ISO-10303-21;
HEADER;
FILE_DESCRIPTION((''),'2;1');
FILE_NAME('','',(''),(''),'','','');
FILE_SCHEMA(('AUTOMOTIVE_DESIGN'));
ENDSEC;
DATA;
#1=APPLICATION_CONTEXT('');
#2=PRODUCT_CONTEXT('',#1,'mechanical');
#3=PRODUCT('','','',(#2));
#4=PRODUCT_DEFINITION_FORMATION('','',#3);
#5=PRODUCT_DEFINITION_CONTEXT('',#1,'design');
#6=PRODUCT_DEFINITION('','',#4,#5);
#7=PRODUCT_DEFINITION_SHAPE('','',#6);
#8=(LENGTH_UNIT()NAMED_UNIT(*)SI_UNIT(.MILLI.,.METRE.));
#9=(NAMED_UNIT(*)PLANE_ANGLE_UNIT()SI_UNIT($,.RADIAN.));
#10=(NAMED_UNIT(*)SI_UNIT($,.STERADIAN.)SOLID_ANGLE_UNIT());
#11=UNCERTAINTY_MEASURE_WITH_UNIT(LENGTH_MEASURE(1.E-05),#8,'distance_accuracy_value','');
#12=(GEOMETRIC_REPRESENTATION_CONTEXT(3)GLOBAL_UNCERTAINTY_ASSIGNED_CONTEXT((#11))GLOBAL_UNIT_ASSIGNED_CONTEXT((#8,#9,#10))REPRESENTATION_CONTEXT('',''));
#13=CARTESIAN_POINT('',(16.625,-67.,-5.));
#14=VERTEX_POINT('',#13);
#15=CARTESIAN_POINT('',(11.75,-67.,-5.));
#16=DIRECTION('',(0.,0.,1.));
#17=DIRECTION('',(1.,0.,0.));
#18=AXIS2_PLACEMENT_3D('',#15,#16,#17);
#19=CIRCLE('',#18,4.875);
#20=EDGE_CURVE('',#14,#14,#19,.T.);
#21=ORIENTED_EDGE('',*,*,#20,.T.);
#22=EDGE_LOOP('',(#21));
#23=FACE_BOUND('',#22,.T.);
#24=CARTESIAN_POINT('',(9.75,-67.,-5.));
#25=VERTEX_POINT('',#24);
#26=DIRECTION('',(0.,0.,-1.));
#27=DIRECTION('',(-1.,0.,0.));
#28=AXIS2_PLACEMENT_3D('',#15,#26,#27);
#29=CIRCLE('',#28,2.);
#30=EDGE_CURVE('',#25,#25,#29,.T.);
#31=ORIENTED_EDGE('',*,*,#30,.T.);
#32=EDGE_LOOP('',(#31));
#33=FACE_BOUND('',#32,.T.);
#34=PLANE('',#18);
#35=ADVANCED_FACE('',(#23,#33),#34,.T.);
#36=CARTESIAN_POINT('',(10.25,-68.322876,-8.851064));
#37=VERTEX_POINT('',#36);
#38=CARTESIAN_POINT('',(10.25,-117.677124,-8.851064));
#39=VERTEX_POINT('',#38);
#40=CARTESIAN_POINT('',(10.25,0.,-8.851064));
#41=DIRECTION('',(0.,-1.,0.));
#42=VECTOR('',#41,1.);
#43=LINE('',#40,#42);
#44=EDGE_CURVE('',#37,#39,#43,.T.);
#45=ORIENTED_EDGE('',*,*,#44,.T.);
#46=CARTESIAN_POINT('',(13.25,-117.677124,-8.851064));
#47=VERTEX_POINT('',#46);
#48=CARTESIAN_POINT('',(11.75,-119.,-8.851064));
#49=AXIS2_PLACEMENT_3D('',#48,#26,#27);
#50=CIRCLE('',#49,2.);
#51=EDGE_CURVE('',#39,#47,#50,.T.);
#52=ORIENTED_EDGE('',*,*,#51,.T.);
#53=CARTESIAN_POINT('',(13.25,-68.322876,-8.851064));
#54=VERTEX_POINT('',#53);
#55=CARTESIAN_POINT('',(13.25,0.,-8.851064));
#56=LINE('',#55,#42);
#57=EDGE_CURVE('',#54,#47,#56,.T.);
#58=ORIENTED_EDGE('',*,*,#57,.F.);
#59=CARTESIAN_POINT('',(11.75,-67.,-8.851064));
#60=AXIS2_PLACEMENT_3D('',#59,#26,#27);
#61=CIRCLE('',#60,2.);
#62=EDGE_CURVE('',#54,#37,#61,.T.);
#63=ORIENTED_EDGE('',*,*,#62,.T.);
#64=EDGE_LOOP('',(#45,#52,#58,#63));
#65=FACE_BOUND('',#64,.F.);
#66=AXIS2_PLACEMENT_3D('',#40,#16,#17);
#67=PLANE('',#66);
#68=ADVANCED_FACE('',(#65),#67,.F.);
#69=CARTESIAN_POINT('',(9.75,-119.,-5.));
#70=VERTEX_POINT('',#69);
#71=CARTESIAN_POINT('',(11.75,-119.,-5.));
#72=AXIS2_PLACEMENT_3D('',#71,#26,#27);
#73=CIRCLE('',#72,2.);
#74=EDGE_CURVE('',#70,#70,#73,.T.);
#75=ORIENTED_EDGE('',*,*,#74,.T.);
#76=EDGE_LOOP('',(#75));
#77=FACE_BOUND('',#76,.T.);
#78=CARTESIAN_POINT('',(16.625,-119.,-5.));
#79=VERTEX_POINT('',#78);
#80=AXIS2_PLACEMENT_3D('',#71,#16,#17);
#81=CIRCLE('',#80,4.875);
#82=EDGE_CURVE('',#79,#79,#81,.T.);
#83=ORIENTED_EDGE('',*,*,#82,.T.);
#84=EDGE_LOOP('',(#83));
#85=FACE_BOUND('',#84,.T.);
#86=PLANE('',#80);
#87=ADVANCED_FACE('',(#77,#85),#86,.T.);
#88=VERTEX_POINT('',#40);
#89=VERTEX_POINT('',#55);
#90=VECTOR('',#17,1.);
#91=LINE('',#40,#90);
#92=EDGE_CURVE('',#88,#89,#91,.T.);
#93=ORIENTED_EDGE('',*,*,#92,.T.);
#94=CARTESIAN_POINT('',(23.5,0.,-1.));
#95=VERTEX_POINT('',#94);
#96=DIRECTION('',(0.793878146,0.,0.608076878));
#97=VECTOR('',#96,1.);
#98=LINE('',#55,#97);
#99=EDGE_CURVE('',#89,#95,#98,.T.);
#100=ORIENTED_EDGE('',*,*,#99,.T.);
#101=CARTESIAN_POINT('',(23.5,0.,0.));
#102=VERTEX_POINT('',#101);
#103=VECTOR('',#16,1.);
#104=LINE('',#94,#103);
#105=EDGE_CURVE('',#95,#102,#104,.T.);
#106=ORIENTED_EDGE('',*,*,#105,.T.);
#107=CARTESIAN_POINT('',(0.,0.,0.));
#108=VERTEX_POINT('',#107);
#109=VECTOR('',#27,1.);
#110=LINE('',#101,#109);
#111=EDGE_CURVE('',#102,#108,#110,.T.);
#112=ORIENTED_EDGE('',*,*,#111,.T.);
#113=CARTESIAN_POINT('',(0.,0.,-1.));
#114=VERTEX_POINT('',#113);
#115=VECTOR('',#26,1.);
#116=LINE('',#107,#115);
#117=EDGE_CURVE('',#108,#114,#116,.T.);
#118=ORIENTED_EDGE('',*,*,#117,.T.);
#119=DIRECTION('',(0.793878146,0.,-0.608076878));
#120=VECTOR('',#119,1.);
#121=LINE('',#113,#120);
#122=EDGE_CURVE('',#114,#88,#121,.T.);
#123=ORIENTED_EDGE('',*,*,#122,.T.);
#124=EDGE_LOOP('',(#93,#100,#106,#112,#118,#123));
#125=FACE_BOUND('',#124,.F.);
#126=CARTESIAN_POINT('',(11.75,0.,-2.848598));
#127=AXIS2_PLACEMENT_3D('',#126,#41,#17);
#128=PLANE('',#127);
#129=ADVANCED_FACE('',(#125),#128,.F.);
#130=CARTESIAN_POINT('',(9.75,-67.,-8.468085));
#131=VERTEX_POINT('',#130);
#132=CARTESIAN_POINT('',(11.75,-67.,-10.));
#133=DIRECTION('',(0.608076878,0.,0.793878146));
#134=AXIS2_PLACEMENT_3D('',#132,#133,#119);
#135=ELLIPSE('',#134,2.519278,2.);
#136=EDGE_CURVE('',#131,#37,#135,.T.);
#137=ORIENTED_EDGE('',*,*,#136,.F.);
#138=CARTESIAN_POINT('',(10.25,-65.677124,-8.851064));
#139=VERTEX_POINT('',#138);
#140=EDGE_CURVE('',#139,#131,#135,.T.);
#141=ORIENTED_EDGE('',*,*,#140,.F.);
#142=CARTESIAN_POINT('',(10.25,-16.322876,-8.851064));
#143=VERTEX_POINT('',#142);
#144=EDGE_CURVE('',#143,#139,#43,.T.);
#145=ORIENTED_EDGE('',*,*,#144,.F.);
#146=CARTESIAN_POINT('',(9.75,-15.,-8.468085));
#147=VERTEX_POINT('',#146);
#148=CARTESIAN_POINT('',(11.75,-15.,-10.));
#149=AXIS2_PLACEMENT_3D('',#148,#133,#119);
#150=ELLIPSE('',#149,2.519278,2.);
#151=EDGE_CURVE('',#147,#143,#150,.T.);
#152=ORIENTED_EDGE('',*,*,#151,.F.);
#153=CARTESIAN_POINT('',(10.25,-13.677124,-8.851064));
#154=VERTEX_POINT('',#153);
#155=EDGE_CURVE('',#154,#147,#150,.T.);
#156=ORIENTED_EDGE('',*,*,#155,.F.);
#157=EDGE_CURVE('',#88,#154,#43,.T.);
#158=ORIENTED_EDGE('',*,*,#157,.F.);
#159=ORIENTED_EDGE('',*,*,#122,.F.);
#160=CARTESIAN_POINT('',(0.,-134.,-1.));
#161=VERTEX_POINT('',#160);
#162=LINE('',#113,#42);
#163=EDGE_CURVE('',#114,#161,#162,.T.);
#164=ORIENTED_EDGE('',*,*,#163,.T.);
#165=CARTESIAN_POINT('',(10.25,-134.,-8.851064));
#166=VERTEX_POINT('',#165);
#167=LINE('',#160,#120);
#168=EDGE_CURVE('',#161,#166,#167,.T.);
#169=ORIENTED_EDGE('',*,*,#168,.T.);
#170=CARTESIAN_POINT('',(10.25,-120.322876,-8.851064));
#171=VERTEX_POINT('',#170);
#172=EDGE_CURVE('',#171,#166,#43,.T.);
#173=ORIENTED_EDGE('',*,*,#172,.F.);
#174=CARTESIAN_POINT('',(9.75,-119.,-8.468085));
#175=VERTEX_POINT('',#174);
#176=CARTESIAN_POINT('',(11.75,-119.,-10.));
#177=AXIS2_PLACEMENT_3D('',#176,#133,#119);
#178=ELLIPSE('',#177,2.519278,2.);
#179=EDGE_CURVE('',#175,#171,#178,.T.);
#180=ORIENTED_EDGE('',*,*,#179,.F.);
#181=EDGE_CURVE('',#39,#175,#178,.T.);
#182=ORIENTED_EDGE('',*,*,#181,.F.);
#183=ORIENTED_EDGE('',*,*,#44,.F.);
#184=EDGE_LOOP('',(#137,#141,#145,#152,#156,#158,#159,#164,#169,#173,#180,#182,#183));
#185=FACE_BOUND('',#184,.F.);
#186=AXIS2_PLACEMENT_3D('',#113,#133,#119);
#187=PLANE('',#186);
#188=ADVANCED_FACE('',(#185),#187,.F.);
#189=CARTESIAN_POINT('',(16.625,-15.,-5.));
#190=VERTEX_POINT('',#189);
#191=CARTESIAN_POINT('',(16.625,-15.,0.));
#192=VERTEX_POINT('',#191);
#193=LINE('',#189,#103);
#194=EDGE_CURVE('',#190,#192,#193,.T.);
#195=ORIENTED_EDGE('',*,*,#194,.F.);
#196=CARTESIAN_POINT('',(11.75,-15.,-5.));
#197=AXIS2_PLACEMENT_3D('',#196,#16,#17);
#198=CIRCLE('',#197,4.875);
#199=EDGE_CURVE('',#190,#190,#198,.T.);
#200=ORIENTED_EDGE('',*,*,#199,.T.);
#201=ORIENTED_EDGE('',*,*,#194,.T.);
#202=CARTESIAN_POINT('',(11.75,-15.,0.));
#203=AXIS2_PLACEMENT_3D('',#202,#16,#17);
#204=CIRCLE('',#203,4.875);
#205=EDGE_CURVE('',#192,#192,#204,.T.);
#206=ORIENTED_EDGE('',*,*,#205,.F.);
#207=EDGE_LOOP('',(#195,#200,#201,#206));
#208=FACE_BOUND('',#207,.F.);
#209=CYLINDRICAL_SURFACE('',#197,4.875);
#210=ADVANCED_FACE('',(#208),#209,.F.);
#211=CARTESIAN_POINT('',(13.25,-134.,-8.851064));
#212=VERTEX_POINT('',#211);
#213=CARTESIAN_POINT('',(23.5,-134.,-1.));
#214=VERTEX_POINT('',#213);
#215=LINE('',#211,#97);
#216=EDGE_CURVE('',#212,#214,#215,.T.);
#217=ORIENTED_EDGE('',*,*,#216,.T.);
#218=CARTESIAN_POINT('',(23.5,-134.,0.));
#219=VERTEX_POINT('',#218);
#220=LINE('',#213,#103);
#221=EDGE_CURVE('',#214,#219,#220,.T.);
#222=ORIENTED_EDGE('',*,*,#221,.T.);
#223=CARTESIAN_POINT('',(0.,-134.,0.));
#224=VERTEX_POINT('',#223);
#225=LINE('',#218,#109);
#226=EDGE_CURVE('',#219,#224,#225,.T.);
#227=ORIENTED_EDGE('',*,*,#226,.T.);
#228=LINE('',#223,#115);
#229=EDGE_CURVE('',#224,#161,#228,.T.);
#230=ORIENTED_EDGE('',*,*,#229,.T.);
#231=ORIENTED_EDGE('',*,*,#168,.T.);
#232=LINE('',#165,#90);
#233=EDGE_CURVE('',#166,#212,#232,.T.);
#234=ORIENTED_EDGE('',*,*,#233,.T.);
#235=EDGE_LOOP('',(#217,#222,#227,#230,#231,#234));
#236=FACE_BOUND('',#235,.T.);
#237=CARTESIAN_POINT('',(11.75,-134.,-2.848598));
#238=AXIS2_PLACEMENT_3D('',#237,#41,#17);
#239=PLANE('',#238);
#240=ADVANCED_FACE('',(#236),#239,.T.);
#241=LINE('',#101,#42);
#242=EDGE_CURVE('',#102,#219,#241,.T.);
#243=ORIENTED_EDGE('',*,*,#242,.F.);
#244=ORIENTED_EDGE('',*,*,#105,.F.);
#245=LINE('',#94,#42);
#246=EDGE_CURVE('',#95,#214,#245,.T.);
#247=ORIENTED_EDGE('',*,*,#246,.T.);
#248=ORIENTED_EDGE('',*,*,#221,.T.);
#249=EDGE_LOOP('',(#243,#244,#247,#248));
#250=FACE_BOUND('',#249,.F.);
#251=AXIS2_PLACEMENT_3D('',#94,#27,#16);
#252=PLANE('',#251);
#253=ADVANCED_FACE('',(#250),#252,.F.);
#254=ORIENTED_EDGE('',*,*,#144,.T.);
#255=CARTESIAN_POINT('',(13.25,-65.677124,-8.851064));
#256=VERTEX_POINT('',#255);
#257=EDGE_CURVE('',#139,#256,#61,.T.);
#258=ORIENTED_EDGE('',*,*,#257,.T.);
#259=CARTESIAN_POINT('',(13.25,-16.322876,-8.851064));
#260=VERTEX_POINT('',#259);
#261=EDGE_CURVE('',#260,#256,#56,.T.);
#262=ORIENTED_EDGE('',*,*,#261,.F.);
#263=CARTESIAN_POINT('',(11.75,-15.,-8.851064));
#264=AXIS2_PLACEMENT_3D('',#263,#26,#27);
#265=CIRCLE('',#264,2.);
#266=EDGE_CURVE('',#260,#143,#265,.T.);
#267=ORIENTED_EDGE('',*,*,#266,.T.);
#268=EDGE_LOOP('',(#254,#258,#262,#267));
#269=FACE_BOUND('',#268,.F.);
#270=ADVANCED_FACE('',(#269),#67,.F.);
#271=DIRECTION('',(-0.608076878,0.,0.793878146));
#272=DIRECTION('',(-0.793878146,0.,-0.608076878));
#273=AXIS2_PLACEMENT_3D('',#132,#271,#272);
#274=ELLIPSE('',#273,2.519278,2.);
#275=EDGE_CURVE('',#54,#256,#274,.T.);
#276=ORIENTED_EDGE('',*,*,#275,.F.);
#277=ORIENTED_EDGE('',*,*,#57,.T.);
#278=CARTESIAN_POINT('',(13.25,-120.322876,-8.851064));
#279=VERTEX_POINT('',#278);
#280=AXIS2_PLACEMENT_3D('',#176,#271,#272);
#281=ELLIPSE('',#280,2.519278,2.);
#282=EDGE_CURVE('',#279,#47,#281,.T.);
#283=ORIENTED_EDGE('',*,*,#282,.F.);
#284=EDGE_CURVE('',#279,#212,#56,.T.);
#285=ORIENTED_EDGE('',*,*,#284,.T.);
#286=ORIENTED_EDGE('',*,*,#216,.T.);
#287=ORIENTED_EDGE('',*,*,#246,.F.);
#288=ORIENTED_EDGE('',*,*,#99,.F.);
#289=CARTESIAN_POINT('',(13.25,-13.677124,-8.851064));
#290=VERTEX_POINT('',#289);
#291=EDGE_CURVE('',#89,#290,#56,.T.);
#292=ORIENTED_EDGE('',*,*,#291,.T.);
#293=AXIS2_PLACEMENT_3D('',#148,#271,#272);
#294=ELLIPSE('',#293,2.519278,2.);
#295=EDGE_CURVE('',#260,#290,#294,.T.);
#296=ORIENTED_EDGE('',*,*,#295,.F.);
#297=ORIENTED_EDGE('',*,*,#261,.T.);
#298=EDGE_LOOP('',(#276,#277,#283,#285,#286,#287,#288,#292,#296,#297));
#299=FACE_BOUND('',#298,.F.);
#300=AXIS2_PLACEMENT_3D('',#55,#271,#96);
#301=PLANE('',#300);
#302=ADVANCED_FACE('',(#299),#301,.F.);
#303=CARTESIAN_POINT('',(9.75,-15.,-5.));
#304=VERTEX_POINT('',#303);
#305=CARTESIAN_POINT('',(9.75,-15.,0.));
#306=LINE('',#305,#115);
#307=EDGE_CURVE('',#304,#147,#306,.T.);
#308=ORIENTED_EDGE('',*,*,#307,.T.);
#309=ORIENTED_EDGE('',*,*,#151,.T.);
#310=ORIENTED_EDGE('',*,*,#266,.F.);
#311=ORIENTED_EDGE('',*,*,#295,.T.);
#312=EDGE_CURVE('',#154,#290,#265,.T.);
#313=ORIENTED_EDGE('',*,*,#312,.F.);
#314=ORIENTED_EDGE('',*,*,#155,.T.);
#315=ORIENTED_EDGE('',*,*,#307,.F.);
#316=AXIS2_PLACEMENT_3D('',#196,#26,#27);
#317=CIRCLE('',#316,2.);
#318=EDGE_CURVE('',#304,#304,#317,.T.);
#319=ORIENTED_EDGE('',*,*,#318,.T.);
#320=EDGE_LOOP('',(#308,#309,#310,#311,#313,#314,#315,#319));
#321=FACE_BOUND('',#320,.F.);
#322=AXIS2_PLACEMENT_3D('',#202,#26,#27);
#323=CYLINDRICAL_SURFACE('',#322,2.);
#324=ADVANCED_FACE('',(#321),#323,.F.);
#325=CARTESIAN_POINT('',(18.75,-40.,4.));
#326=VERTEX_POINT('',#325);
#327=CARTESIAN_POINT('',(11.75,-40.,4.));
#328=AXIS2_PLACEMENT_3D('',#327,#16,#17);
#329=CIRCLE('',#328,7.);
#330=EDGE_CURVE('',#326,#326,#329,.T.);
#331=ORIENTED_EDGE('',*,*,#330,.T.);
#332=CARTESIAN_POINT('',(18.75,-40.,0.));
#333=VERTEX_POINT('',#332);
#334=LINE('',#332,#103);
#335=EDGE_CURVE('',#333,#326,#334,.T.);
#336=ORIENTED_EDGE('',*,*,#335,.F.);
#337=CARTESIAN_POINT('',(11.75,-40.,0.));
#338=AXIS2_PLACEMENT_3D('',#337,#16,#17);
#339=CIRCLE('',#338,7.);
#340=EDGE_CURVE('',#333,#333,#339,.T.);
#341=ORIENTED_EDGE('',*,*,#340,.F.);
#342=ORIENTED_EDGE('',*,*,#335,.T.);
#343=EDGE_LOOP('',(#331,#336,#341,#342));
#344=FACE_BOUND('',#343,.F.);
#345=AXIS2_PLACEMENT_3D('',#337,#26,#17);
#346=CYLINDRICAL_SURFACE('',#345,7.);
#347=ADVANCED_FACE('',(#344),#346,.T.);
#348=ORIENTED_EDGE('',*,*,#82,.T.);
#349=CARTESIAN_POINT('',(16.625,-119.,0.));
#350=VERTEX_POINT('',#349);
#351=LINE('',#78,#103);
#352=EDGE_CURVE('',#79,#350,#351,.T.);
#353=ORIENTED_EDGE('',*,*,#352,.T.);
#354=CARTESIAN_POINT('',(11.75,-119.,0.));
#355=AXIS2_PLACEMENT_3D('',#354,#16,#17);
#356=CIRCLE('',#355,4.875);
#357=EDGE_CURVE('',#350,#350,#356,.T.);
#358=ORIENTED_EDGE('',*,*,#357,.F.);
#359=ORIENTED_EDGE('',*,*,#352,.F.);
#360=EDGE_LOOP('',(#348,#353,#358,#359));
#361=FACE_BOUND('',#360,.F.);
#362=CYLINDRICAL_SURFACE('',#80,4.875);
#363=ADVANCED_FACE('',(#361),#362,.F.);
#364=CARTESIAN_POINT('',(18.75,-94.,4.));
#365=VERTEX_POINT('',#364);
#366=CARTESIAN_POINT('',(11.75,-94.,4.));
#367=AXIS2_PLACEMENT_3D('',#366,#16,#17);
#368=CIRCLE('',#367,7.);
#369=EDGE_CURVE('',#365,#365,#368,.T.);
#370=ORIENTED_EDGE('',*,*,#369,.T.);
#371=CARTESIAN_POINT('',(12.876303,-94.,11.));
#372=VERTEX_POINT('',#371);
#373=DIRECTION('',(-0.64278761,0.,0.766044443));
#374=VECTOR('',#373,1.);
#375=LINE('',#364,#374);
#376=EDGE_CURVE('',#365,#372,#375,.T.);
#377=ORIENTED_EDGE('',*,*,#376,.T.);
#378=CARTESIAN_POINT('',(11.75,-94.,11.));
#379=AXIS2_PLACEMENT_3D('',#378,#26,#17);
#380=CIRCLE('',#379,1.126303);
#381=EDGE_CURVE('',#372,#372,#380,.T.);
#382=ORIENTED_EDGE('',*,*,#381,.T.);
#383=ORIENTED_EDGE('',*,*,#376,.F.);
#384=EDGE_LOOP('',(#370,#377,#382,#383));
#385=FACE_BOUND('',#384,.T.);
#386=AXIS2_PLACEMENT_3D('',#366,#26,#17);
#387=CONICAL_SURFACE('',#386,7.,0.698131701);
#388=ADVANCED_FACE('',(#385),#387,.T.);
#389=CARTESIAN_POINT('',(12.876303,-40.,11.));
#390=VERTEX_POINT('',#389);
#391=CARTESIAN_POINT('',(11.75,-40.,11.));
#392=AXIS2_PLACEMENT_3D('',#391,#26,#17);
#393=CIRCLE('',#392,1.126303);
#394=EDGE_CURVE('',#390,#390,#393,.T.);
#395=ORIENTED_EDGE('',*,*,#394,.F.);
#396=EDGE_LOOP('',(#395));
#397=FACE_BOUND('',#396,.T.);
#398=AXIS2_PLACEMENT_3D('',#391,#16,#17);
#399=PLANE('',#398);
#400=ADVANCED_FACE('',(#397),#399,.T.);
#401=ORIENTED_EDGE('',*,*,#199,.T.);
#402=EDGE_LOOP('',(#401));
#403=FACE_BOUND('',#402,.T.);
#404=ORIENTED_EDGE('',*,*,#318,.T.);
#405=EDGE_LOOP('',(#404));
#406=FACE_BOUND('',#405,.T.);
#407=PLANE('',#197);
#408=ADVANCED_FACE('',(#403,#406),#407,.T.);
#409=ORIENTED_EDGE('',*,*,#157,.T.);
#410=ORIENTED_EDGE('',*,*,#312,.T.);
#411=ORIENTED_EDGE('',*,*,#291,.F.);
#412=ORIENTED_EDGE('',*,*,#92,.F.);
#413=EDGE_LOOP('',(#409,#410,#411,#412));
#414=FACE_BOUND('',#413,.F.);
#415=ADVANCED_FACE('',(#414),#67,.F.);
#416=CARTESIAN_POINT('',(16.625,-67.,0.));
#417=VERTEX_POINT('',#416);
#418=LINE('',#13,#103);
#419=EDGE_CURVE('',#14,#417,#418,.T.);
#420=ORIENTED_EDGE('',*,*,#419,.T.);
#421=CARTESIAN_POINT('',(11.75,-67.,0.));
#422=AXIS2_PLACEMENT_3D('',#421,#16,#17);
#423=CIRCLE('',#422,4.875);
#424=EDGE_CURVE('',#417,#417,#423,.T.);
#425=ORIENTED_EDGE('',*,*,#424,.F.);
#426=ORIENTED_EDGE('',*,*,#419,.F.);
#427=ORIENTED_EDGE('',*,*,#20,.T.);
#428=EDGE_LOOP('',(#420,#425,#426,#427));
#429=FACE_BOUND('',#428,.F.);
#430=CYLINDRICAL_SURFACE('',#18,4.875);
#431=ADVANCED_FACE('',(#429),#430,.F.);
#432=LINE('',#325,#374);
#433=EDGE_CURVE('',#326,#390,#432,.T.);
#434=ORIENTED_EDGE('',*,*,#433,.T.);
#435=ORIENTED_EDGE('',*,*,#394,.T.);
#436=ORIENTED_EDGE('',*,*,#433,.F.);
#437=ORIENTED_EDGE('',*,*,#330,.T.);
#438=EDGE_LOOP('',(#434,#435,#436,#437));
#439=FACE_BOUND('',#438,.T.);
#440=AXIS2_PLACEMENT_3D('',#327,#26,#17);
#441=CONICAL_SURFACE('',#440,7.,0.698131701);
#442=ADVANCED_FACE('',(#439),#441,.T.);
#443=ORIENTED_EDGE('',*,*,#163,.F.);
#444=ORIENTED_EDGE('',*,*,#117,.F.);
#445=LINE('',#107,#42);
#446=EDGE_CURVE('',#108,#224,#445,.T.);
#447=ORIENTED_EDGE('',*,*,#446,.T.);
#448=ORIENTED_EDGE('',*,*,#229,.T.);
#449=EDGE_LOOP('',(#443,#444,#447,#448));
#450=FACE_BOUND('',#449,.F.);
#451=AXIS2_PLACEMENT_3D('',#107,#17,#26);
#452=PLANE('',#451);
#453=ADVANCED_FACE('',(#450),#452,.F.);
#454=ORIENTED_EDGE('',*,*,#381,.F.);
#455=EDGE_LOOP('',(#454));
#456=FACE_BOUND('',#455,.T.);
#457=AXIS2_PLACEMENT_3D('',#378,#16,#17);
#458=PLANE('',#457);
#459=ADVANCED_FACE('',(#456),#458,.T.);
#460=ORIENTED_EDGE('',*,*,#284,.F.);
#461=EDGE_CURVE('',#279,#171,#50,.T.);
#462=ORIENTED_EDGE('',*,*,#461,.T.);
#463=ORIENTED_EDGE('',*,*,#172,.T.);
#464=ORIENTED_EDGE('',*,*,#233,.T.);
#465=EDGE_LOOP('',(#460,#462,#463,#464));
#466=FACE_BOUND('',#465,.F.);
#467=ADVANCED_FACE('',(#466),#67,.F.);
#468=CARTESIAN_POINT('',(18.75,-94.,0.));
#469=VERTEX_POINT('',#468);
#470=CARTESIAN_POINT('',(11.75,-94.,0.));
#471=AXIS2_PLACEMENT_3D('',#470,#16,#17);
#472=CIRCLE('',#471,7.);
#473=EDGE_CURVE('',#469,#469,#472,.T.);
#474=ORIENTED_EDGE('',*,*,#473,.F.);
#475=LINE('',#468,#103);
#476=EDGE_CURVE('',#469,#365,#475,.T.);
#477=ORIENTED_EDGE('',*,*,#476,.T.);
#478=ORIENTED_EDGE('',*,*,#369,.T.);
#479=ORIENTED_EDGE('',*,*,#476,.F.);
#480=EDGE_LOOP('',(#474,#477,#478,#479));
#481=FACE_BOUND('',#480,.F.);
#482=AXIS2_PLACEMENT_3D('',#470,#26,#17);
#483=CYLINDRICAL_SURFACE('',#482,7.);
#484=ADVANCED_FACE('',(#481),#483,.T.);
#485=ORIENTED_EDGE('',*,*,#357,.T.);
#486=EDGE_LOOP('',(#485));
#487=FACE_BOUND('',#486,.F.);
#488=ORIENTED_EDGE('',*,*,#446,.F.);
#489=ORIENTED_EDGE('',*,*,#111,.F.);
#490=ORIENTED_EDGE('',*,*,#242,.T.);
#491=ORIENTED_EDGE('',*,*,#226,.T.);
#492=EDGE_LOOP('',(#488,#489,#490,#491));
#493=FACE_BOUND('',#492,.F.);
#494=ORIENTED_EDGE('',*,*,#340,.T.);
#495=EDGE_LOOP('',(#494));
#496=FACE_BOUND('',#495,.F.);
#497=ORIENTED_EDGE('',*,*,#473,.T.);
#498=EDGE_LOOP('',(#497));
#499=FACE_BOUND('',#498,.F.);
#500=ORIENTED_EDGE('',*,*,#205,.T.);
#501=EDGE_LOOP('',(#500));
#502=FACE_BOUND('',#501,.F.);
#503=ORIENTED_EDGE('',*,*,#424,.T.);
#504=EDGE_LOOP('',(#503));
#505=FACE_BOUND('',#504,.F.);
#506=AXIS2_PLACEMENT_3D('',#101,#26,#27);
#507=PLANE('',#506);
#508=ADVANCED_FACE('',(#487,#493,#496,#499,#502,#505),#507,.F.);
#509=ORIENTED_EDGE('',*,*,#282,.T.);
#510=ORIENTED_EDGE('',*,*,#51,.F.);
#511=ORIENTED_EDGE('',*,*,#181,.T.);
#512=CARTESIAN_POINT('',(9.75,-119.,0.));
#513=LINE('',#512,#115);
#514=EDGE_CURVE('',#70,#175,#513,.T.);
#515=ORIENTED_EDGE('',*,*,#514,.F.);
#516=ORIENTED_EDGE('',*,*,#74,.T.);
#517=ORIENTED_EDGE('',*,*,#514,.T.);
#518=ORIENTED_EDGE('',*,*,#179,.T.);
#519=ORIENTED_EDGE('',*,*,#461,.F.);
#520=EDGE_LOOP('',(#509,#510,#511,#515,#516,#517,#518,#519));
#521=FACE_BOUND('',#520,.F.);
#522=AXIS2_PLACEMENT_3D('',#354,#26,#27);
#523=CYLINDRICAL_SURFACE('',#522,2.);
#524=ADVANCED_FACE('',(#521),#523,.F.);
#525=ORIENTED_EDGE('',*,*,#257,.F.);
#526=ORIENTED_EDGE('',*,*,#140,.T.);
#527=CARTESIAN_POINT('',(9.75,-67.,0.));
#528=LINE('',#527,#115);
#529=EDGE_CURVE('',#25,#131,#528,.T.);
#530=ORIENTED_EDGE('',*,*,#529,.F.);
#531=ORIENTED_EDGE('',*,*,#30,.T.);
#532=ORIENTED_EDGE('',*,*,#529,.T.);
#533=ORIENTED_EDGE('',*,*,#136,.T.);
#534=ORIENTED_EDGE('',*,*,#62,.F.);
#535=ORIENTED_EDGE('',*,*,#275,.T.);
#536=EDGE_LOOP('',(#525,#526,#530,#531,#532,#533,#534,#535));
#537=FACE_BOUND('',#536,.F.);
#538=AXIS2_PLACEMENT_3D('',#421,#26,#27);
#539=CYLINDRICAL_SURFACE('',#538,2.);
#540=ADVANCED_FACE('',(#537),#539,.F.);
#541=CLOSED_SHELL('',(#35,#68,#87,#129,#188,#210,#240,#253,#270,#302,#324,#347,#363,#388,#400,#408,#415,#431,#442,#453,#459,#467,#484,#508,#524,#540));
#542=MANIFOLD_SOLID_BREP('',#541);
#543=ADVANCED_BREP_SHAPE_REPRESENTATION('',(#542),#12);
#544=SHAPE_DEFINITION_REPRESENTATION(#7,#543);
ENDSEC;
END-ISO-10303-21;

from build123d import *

# Parameters (mm, degrees)
F1_DEPTH       = 134
F3_D           = 4
F3_CBORE_D     = 9.75
F3_CBORE_DEPTH = 5
F4_R           = 7
F5_DEPTH       = 4
F6_R           = 7
F7_DEPTH       = 7
F7_TAPER       = 40


with BuildPart() as f1:
    # F0 (on Front) → F1 (new body)
    with BuildSketch(Plane.XZ):
        Polygon((23.5, 0), (0, 0), (0, -1), (10.25, -8.8510638298), (13.25, -8.8510638298), (23.5, -1), align=None)
    extrude(amount=F1_DEPTH)

    # F3 (through all)
    with Locations(Plane.XY):
        with Locations((11.75, -15), (11.75, -67), (11.75, -119)):
            CounterBoreHole(F3_D / 2, F3_CBORE_D / 2, F3_CBORE_DEPTH)

    # F4 (on face) → F5 (join)
    with BuildSketch(Plane.XY):
        with Locations((11.75, -40)):
            Circle(F4_R)
        with Locations((11.75, -94)):
            Circle(F4_R)
    extrude(amount=F5_DEPTH)

    # F6 (on face) → F7 (join)
    with BuildSketch(Plane.XY.offset(4)):
        with Locations((11.75, -40)):
            Circle(F6_R)
        with Locations((11.75, -94)):
            Circle(F6_R)
    extrude(amount=F7_DEPTH, taper=F7_TAPER)


solid = f1.part
